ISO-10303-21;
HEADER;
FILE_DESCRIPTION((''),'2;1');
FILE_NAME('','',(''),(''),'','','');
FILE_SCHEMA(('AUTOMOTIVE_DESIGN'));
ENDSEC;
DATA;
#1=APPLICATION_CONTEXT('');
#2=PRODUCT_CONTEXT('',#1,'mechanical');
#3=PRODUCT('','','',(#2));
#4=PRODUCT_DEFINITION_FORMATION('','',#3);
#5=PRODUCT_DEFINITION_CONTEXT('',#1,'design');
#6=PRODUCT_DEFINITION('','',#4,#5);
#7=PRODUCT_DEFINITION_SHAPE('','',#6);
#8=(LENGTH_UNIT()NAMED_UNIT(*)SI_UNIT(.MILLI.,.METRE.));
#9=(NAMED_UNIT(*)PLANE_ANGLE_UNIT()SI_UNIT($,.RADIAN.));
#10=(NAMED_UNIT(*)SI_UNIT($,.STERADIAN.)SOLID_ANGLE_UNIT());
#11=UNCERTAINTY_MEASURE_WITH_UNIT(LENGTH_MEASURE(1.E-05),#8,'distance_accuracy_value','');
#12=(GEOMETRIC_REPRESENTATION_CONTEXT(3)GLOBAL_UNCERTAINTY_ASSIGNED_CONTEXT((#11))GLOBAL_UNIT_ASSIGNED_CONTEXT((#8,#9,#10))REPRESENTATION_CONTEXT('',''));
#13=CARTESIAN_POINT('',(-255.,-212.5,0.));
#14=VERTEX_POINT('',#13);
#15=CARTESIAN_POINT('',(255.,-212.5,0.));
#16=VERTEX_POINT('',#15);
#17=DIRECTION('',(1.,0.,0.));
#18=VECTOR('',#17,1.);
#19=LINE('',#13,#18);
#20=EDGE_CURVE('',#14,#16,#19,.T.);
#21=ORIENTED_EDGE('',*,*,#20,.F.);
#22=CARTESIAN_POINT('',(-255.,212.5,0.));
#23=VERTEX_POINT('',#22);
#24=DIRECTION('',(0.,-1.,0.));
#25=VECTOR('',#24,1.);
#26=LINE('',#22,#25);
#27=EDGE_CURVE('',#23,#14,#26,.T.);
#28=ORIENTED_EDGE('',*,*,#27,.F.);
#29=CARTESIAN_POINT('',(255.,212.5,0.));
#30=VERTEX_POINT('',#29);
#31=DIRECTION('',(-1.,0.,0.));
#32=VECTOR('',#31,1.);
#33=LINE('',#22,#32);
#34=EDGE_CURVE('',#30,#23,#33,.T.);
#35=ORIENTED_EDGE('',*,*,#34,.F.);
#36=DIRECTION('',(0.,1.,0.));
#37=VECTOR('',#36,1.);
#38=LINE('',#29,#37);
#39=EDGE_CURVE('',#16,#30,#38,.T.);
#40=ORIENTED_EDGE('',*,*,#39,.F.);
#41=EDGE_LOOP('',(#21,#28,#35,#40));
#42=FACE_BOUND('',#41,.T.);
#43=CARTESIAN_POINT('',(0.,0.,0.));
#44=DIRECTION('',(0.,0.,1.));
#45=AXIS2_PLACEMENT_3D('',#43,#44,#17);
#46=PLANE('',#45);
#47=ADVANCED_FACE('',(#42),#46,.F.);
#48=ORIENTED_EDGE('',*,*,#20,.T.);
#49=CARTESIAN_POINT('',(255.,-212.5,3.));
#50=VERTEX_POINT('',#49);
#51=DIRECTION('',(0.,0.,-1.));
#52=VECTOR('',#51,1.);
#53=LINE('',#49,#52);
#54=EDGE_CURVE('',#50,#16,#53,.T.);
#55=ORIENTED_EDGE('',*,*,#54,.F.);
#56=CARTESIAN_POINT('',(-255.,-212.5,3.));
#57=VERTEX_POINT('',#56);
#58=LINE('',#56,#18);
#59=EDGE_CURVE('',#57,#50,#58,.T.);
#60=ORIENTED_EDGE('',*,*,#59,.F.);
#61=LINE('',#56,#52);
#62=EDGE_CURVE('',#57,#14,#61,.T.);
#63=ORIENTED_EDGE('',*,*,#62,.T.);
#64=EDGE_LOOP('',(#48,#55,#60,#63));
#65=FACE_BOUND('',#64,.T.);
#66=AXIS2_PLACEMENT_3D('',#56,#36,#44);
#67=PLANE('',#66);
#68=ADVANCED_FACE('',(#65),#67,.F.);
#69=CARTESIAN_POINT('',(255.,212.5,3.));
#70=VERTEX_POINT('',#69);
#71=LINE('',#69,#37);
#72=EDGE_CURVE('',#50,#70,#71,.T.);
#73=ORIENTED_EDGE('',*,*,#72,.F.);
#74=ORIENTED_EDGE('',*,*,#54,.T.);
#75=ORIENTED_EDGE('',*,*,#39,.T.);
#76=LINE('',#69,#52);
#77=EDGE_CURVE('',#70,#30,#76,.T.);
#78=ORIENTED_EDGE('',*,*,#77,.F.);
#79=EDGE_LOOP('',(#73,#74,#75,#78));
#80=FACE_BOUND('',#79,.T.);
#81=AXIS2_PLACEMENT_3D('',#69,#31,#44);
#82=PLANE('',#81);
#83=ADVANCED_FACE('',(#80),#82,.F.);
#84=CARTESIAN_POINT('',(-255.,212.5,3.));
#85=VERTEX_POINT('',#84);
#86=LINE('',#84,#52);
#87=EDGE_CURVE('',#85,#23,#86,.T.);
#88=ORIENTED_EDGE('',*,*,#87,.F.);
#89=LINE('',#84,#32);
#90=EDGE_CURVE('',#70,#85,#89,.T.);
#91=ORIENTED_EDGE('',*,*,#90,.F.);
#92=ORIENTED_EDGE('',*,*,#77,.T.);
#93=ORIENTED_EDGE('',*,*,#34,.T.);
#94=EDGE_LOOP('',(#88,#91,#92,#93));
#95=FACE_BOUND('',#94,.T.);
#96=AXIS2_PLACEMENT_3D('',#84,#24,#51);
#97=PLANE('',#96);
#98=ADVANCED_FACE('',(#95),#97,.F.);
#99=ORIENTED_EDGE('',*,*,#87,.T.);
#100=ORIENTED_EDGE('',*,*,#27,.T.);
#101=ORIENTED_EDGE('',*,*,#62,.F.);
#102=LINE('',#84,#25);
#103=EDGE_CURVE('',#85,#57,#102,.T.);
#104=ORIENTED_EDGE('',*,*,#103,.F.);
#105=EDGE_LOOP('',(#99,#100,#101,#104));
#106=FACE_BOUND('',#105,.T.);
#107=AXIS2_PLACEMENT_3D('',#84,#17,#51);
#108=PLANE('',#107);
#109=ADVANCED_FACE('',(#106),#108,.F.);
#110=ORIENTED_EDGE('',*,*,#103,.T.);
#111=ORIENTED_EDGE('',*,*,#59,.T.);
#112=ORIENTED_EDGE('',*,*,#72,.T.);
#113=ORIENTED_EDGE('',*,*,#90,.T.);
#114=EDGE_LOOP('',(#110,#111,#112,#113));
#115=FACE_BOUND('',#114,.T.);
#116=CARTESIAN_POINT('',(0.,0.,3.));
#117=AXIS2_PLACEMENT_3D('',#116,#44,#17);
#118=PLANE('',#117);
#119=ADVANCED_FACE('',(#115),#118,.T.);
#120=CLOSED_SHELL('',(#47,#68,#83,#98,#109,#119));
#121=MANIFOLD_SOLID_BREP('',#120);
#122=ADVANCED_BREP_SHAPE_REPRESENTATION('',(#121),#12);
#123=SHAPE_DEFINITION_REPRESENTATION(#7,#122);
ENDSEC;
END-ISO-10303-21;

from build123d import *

# Parameters (mm, degrees)
SKICA1_W                = 510
SKICA1_H                = 425
P_IDAT_VYSUNUT_M1_DEPTH = 3


with BuildPart() as part:
    # Skica1 → Přidat vysunutím1 (new body)
    with BuildSketch(Plane.XY):
        Rectangle(SKICA1_W, SKICA1_H)
    extrude(amount=P_IDAT_VYSUNUT_M1_DEPTH)


solid = part.part
